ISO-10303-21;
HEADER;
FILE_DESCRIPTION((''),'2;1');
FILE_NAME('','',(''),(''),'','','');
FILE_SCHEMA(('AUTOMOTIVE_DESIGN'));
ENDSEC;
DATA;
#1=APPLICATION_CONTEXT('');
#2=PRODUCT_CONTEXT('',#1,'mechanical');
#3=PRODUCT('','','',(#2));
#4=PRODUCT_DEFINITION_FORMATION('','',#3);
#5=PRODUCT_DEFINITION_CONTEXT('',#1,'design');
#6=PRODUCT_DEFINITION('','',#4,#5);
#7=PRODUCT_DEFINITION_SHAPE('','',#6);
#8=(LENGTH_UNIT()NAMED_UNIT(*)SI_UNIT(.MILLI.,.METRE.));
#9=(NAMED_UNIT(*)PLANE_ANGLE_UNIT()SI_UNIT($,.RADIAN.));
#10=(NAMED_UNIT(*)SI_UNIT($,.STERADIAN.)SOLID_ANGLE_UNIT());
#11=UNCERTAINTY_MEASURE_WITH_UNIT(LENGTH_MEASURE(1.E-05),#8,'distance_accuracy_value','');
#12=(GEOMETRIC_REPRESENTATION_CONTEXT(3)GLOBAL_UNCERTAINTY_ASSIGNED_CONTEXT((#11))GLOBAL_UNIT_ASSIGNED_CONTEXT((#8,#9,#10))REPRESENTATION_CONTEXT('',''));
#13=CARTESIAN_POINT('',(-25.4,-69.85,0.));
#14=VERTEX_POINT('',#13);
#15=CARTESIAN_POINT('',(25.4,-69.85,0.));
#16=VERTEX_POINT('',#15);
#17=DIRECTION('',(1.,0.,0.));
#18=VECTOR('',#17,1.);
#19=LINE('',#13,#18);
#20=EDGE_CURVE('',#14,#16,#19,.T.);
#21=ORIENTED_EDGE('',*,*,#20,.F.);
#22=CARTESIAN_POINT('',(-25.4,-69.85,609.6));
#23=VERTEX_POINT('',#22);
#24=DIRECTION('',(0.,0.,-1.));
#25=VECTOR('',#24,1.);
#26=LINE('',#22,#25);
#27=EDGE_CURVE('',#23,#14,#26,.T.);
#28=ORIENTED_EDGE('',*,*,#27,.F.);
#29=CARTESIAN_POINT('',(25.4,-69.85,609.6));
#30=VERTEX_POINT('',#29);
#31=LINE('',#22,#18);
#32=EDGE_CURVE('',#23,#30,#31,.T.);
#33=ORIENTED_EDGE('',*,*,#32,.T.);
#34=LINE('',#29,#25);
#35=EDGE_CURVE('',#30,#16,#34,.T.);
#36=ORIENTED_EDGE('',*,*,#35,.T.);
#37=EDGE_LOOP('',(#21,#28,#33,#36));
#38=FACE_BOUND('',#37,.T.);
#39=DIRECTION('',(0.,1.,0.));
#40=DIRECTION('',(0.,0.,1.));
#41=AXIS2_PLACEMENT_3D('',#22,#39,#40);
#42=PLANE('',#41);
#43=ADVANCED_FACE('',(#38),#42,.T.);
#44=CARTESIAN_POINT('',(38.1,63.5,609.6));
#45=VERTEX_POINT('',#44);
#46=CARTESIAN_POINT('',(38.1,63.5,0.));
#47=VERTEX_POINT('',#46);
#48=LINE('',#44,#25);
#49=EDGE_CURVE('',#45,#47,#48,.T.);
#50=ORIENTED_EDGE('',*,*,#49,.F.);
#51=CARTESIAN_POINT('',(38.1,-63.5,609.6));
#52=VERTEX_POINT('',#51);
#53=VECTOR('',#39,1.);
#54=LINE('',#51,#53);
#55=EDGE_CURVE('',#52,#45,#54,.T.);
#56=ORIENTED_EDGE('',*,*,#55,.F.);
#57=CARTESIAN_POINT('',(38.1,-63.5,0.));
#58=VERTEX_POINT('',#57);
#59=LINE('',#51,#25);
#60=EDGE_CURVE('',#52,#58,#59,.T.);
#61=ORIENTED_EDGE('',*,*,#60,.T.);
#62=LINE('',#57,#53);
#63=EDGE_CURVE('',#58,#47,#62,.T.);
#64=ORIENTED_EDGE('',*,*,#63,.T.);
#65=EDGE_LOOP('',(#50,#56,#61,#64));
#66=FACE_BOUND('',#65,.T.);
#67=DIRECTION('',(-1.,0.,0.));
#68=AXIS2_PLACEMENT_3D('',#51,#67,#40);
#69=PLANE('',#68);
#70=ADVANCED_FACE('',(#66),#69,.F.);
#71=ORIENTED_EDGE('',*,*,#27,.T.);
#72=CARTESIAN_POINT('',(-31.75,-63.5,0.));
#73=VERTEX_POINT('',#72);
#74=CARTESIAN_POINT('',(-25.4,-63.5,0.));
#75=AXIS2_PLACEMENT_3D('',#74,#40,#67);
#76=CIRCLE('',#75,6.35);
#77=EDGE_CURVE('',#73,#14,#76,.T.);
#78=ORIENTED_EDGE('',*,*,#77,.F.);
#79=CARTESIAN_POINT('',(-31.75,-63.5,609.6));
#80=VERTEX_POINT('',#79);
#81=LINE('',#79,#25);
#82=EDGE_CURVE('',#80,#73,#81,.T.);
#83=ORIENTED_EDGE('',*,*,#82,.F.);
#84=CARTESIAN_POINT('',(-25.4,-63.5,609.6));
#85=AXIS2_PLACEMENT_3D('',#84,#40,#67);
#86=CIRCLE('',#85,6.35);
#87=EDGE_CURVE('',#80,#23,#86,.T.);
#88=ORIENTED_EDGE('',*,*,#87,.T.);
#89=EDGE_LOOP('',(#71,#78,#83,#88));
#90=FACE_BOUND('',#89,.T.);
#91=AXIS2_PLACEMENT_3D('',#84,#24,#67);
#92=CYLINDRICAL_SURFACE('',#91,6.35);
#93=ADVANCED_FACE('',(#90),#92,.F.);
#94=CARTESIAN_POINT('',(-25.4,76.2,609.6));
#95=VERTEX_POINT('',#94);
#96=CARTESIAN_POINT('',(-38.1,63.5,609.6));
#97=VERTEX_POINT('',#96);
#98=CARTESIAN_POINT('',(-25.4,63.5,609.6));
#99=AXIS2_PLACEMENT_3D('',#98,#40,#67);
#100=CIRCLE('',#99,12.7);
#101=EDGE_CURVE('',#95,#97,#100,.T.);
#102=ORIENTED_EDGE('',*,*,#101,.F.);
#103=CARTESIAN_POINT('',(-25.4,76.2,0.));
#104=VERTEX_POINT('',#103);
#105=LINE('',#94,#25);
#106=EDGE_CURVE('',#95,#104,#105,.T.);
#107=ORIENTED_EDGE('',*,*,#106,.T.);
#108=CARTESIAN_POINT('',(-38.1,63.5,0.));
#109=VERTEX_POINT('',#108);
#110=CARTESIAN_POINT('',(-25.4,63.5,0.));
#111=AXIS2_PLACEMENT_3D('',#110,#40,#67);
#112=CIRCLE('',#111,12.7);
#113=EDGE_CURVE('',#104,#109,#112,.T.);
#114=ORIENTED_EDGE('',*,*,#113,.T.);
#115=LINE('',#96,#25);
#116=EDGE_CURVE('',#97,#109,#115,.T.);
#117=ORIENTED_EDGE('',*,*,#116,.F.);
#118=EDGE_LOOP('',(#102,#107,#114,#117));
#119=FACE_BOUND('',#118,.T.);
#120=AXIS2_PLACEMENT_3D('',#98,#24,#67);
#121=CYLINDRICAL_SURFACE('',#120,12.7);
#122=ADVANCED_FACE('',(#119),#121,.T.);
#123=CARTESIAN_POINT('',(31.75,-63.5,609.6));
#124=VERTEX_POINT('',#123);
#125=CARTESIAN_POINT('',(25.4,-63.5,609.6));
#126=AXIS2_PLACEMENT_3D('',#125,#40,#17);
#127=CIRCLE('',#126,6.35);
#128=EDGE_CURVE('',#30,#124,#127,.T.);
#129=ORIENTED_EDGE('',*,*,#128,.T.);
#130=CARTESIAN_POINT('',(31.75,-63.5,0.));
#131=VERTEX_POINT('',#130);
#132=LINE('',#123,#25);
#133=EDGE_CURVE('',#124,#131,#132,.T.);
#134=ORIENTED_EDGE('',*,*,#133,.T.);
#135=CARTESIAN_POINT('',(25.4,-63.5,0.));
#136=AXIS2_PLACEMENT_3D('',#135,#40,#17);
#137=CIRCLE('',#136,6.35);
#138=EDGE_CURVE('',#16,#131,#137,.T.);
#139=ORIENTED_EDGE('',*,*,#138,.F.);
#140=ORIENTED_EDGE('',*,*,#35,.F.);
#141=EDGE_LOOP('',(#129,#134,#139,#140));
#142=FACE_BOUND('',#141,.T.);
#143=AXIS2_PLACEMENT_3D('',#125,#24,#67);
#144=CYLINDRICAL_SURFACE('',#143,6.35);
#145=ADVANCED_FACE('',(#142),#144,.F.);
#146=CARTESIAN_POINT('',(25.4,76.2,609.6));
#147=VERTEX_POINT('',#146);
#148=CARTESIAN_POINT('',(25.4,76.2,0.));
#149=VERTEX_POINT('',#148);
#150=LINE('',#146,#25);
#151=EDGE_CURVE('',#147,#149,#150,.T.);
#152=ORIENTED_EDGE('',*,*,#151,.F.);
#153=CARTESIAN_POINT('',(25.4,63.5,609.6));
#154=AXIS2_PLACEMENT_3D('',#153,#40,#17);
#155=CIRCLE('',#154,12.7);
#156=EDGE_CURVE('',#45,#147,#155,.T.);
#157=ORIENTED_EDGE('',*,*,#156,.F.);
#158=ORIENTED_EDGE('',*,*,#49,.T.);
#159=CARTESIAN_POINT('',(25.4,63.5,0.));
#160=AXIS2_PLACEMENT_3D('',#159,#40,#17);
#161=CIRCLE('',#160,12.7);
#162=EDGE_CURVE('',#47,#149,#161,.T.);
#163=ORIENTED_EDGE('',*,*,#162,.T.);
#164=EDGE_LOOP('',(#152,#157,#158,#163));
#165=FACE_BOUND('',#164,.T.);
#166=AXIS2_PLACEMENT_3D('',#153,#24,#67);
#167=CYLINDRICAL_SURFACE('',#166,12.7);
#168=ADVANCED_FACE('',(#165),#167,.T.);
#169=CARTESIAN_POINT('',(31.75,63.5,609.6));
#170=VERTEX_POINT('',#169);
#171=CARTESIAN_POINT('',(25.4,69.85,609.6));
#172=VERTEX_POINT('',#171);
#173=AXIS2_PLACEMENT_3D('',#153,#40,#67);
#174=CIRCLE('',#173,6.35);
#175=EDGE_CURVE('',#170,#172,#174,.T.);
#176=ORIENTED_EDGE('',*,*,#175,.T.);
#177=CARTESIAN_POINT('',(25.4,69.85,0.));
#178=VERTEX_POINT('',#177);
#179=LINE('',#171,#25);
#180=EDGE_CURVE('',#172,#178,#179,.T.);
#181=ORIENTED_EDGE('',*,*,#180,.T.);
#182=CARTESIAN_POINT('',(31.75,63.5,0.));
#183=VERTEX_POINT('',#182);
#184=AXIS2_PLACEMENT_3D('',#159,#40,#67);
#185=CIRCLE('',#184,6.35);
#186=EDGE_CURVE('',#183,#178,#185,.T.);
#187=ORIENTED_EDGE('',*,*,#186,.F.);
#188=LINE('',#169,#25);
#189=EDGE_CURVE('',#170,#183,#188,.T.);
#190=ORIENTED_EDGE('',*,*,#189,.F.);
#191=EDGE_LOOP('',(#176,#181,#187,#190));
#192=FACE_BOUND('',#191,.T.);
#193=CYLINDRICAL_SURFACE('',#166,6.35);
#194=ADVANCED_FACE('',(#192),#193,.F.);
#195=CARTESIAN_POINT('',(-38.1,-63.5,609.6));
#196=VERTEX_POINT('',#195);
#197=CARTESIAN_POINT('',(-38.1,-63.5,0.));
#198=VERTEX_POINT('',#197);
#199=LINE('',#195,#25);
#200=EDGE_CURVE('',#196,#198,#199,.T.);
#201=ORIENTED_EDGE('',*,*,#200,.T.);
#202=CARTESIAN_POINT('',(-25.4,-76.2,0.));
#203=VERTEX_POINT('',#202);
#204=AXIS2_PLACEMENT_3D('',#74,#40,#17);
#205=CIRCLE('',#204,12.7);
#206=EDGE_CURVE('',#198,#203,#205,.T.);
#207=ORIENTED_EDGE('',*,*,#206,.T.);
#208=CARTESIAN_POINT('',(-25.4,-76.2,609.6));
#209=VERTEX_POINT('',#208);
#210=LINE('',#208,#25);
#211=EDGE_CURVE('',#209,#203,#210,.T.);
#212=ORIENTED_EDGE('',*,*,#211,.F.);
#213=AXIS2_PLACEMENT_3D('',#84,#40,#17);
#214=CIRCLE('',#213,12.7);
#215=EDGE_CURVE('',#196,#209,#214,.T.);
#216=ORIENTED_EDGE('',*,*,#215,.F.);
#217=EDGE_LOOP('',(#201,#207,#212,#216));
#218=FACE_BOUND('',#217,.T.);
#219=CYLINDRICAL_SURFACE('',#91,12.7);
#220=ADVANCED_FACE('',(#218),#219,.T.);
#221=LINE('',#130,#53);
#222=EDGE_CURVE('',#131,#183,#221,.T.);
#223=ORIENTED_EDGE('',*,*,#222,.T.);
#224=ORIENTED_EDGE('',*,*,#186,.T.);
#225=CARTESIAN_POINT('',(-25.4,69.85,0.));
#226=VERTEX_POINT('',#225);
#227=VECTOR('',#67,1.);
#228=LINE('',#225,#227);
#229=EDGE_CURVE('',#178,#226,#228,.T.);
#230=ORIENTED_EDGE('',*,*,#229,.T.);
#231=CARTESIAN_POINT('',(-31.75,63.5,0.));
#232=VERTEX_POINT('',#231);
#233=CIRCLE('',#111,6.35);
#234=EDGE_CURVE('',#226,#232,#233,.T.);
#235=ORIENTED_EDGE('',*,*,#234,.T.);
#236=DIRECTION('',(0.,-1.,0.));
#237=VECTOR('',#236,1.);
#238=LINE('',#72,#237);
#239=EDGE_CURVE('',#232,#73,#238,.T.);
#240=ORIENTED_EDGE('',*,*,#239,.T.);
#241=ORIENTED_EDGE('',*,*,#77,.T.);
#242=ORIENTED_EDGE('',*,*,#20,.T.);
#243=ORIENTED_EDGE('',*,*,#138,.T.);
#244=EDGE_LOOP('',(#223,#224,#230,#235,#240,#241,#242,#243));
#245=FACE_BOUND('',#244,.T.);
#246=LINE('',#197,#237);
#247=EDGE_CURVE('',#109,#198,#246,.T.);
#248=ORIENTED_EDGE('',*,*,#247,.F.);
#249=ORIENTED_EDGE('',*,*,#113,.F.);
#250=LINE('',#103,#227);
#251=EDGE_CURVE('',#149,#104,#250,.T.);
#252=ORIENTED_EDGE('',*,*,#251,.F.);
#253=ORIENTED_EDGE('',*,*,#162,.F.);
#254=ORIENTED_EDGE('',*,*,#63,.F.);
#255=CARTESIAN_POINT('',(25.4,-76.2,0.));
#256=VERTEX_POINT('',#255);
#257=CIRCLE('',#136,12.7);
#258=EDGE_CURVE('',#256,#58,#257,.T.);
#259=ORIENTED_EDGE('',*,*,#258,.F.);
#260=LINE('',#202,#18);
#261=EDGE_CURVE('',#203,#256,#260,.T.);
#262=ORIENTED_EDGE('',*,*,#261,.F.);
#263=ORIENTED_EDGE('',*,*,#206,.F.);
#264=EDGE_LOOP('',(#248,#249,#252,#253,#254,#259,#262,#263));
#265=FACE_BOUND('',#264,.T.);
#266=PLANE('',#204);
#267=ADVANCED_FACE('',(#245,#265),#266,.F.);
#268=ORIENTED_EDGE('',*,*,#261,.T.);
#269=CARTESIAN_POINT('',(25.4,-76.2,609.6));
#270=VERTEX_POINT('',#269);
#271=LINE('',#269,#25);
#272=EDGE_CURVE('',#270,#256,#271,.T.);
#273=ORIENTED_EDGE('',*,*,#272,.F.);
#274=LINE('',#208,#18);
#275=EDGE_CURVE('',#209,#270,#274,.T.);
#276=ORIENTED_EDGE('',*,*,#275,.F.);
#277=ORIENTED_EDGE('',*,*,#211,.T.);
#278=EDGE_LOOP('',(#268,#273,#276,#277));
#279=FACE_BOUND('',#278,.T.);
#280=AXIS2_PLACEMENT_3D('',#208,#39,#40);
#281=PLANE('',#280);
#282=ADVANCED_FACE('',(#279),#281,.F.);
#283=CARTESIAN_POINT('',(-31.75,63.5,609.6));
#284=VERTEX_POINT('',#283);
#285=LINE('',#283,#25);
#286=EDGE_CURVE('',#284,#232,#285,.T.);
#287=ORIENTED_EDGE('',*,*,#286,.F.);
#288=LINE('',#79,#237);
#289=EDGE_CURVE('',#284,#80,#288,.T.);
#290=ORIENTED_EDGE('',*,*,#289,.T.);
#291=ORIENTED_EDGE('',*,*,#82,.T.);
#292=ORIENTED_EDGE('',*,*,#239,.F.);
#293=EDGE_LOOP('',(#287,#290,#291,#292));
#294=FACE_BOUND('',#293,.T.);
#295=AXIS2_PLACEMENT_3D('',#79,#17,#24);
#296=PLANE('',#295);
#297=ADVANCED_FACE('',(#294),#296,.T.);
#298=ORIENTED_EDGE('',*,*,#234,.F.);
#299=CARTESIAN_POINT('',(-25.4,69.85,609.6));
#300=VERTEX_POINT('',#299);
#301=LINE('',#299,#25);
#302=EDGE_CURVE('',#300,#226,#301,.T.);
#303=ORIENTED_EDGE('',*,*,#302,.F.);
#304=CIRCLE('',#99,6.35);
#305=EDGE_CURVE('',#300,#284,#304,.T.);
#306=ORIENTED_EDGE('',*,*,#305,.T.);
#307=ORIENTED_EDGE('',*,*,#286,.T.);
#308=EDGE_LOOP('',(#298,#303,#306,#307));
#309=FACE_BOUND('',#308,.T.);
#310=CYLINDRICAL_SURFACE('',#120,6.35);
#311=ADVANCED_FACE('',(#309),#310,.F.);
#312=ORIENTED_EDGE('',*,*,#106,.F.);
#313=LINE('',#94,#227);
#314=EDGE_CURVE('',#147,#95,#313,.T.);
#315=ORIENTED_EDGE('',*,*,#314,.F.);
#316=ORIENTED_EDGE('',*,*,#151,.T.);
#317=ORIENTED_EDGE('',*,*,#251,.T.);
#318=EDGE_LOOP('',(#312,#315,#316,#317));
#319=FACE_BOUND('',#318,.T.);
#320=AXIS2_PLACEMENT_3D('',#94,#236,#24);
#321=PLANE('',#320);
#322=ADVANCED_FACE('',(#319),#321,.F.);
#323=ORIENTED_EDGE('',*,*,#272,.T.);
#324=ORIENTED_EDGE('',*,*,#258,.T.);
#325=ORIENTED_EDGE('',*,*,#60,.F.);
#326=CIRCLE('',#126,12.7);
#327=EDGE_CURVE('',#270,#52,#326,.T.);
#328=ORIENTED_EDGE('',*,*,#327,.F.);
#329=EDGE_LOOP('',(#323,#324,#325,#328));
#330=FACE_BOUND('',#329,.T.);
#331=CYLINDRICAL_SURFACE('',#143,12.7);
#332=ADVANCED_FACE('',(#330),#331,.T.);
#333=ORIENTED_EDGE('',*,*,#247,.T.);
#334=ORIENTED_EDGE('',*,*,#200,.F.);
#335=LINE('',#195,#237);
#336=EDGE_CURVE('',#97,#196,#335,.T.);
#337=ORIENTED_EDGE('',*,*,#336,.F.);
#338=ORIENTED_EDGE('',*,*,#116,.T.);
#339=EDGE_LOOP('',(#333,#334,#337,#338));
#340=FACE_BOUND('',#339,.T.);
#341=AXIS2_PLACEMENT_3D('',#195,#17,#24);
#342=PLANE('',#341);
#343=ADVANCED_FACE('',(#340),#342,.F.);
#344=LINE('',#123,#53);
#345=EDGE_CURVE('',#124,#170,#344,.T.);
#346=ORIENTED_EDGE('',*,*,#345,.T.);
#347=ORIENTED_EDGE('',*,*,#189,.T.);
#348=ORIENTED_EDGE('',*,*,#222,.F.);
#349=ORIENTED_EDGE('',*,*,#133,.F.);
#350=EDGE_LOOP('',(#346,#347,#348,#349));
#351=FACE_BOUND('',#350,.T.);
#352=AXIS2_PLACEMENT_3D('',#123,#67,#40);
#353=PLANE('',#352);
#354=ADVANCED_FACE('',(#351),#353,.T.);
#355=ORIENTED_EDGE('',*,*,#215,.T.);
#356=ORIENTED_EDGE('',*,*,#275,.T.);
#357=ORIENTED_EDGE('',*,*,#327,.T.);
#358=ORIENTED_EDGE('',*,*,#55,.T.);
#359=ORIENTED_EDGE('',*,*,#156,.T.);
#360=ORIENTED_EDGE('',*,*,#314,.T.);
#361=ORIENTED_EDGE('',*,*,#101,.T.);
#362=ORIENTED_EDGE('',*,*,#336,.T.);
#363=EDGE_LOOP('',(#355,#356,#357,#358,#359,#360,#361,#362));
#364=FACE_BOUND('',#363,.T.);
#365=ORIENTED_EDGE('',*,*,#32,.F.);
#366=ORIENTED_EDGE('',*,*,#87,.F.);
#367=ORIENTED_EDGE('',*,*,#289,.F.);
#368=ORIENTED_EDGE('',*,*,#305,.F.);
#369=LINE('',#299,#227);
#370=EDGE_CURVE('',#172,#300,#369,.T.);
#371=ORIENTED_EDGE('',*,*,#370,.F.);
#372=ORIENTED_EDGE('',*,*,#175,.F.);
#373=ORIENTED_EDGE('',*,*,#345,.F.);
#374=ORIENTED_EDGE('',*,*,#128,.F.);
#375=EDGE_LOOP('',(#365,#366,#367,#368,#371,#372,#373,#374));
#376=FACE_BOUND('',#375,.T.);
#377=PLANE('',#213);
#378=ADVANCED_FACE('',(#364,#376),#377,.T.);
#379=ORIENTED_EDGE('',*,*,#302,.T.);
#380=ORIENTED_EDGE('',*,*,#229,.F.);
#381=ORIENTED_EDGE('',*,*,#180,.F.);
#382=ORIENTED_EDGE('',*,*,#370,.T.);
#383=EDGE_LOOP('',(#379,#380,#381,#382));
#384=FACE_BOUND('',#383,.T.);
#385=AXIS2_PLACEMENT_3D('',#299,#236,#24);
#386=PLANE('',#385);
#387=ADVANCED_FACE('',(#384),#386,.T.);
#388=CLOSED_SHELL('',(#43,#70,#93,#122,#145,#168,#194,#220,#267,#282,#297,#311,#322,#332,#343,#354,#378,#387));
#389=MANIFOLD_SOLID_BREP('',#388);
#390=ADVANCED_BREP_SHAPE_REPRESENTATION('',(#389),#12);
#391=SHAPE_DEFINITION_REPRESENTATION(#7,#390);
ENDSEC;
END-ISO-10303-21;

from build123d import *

# Parameters (mm, degrees)
BOSS_EXTRUDE1_DEPTH = 609.6


with BuildPart() as part:
    # Sketch1 → Boss-Extrude1 (new body)
    with BuildSketch(Plane.XY):
        with BuildLine():
            Line((-25.4, -76.2), (25.4, -76.2))
            ThreePointArc((25.4, -76.2), (34.380256121, -72.480256121), (38.1, -63.5))
            Line((38.1, -63.5), (38.1, 63.5))
            ThreePointArc((38.1, 63.5), (34.380256121, 72.480256121), (25.4, 76.2))
            Line((25.4, 76.2), (-25.4, 76.2))
            ThreePointArc((-25.4, 76.2), (-34.380256121, 72.480256121), (-38.1, 63.5))
            Line((-38.1, 63.5), (-38.1, -63.5))
            ThreePointArc((-38.1, -63.5), (-34.380256121, -72.480256121), (-25.4, -76.2))
        make_face()
        with BuildLine():
            Line((-25.4, -69.85), (25.4, -69.85))
            ThreePointArc((25.4, -69.85), (29.890128061, -67.990128061), (31.75, -63.5))
            Line((31.75, -63.5), (31.75, 63.5))
            ThreePointArc((31.75, 63.5), (29.890128061, 67.990128061), (25.4, 69.85))
            Line((25.4, 69.85), (-25.4, 69.85))
            ThreePointArc((-25.4, 69.85), (-29.890128061, 67.990128061), (-31.75, 63.5))
            Line((-31.75, 63.5), (-31.75, -63.5))
            ThreePointArc((-31.75, -63.5), (-29.890128061, -67.990128061), (-25.4, -69.85))
        make_face(mode=Mode.SUBTRACT)
    extrude(amount=BOSS_EXTRUDE1_DEPTH)


solid = part.part
